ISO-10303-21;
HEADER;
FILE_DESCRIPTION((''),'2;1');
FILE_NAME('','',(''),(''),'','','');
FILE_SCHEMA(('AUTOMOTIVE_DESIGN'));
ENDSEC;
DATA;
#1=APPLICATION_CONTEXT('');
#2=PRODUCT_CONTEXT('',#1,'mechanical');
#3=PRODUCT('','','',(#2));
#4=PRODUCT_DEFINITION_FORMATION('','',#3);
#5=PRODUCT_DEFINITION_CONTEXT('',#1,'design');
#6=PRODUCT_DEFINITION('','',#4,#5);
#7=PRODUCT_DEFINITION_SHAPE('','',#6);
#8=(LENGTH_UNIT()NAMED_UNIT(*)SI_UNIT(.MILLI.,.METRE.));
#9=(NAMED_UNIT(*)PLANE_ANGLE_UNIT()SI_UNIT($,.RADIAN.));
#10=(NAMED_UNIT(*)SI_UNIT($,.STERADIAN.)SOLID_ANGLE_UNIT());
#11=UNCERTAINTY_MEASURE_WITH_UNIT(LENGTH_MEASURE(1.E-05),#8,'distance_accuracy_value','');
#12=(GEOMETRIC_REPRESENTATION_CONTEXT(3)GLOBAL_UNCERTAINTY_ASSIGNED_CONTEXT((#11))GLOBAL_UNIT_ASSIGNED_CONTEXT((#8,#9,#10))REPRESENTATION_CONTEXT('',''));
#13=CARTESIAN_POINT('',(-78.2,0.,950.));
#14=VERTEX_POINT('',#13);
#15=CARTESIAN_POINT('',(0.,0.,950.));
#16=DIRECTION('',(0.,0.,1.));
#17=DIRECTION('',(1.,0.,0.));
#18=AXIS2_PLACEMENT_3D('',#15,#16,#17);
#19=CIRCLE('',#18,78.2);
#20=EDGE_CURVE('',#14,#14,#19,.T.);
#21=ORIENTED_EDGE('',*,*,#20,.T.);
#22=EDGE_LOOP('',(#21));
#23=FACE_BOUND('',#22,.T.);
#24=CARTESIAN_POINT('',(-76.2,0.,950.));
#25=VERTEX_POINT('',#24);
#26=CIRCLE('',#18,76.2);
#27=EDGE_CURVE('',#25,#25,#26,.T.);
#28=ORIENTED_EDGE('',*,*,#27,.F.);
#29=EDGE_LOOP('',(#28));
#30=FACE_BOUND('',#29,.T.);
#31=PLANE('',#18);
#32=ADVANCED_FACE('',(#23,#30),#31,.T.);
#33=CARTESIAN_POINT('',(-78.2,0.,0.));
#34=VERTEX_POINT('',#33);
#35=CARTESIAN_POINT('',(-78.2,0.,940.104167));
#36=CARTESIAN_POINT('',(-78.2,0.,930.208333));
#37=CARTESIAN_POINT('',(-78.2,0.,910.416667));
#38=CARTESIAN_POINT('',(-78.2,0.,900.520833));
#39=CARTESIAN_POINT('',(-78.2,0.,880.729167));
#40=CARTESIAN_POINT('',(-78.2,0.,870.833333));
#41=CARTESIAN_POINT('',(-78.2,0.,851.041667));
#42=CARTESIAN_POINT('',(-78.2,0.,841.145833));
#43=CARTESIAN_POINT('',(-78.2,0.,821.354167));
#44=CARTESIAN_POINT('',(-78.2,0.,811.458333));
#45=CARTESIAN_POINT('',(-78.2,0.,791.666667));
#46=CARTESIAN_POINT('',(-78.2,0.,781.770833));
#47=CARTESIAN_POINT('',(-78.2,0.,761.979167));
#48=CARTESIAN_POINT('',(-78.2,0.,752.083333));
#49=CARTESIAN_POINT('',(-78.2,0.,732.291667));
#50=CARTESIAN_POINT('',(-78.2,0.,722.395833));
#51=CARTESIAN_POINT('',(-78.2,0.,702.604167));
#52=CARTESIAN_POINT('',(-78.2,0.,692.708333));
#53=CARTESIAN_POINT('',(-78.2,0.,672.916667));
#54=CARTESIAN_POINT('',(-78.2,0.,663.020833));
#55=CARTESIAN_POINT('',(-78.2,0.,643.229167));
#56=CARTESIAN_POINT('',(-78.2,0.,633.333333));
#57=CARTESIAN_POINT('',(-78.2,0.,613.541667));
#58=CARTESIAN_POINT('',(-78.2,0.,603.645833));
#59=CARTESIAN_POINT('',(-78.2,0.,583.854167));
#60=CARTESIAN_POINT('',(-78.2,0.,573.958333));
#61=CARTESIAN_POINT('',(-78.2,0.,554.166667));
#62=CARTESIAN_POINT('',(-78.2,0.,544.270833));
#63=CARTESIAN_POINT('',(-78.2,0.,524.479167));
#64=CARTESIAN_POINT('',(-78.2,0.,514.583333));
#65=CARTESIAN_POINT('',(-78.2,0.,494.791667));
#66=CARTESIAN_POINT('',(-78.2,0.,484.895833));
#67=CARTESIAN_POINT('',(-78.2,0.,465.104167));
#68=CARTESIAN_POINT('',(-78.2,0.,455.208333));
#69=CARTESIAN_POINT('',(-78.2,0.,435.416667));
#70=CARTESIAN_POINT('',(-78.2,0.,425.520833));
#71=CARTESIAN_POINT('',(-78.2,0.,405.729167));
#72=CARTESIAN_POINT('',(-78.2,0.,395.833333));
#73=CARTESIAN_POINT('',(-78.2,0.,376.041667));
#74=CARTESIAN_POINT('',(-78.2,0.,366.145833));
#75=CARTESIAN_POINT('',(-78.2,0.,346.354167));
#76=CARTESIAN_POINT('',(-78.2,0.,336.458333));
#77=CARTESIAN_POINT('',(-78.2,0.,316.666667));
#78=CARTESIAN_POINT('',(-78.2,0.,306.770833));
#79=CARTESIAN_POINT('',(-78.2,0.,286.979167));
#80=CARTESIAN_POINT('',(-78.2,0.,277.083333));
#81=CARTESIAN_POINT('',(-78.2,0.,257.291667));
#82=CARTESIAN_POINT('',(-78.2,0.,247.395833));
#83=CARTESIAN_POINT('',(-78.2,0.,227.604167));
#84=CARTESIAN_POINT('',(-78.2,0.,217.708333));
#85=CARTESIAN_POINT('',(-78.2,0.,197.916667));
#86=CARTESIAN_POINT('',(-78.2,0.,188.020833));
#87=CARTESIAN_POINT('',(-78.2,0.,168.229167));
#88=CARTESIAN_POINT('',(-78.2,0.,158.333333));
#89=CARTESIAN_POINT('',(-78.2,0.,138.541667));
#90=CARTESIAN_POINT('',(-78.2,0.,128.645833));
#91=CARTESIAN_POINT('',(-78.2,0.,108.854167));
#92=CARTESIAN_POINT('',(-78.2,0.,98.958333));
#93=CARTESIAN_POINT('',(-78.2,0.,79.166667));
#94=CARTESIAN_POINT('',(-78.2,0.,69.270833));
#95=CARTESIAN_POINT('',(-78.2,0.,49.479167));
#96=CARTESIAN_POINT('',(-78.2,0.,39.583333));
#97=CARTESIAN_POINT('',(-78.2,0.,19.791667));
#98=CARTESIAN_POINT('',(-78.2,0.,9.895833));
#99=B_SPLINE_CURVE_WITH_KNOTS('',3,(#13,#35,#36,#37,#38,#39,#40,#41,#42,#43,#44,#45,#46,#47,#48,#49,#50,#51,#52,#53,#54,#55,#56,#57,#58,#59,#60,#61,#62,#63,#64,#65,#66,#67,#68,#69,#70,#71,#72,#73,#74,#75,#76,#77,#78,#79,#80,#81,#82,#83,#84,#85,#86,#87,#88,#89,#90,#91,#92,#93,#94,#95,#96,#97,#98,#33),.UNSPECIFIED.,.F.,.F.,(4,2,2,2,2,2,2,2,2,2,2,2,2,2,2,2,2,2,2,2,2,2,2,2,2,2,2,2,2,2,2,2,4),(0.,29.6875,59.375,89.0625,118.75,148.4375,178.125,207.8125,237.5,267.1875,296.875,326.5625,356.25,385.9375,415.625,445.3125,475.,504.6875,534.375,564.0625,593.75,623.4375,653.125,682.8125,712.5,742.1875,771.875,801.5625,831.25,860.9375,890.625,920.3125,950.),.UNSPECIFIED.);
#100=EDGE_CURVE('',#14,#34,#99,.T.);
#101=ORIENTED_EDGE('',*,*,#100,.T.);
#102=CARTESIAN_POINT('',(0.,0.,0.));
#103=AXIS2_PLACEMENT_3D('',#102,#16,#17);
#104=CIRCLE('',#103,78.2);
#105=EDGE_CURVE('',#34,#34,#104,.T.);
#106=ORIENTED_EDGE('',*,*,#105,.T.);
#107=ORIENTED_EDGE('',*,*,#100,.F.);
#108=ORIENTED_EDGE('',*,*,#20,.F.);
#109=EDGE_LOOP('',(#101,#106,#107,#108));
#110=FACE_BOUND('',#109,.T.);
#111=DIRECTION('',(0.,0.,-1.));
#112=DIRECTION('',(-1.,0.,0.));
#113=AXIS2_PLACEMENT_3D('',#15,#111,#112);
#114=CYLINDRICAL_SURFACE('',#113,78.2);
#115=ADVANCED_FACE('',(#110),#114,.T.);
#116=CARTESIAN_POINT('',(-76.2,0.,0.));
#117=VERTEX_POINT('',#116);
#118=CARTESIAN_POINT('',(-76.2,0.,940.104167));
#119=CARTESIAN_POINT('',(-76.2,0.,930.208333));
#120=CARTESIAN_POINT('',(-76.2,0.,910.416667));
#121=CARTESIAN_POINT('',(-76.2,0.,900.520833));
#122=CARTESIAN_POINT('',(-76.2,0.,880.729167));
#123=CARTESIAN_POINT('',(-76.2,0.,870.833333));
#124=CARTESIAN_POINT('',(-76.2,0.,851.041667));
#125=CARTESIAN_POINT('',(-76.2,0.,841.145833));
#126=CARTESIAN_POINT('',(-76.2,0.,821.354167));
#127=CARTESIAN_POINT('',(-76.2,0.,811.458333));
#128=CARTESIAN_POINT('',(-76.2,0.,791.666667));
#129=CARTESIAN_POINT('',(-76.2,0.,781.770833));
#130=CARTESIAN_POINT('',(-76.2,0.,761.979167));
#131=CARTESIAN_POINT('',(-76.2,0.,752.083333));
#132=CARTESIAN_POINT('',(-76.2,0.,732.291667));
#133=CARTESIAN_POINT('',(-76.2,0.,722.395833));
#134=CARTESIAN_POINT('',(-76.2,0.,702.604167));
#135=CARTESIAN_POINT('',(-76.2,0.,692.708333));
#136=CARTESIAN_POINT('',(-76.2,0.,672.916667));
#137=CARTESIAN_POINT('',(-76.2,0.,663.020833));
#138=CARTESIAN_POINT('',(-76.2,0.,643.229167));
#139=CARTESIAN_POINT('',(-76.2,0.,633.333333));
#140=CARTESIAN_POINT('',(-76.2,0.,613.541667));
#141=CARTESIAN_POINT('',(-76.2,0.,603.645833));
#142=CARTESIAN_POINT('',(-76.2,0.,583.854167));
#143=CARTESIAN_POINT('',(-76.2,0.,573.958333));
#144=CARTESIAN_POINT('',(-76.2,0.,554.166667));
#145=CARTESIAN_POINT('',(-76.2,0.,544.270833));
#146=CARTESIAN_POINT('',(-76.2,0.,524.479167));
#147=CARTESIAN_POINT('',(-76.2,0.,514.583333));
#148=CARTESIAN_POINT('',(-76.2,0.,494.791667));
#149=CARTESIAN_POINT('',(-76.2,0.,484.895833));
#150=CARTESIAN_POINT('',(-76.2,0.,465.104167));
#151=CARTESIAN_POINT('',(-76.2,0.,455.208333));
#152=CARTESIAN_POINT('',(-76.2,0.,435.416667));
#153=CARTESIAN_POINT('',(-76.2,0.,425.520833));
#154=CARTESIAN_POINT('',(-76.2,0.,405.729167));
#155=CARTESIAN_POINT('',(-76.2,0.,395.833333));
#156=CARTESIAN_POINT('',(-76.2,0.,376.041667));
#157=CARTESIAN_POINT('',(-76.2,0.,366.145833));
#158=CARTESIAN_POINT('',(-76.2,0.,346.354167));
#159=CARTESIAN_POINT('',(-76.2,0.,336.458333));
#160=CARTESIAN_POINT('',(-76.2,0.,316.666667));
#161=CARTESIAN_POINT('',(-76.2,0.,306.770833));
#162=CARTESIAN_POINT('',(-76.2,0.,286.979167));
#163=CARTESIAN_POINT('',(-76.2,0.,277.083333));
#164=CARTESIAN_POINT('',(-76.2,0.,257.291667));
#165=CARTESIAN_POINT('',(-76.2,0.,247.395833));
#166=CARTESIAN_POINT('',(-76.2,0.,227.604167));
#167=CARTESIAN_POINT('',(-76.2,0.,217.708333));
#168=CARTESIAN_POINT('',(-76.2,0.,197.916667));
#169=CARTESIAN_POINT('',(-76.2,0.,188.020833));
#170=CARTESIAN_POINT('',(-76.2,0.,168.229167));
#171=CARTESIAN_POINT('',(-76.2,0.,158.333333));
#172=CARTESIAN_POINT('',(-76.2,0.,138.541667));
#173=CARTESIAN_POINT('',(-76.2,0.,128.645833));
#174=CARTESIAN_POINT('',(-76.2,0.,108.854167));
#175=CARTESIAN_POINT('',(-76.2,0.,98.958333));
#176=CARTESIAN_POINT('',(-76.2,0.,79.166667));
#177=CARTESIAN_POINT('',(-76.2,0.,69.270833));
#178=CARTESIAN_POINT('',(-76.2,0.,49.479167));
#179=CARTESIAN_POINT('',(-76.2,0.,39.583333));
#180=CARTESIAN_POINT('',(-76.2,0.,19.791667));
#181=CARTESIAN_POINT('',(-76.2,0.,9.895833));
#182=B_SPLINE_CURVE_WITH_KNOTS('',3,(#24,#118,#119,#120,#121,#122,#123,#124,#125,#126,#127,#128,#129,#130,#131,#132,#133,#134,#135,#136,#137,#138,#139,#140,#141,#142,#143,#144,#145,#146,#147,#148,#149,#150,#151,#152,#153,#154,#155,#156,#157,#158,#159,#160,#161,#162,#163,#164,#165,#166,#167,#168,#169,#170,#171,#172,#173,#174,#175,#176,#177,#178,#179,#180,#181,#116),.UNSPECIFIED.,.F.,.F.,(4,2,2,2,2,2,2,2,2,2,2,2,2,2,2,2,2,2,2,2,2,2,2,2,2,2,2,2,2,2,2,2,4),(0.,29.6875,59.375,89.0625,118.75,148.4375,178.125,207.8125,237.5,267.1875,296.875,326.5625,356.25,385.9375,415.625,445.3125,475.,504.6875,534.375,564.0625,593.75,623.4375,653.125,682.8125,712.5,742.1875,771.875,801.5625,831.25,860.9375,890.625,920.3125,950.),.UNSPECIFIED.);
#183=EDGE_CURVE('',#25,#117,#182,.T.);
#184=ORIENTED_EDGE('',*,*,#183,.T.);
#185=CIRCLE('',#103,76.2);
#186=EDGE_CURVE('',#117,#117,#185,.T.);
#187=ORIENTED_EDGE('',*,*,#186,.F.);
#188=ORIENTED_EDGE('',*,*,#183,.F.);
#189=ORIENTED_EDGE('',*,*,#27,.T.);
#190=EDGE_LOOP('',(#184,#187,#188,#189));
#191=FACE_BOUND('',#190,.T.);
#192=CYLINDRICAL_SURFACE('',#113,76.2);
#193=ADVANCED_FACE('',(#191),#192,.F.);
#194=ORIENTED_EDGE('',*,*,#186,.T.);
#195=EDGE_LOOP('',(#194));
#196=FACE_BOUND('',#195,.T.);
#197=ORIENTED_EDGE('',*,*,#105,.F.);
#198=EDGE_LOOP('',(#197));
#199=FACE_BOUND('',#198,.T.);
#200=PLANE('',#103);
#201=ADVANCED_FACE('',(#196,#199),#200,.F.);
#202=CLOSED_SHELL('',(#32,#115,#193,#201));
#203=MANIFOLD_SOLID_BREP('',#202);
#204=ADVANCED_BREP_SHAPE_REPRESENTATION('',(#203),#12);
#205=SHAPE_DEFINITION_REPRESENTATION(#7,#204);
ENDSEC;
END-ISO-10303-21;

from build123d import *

# Parameters (mm, degrees)
SKETCH1_R           = 78.2
SKETCH1_R_2         = 76.2
BOSS_EXTRUDE1_DEPTH = 950


with BuildPart() as part:
    # Sketch1 → Boss-Extrude1 (new body)
    with BuildSketch(Plane.XY):
        with Locations(Location((0, 0, 0), (0, 0, 180))):
            Circle(SKETCH1_R)
        with Locations(Location((0, 0, 0), (0, 0, 180))):
            Circle(SKETCH1_R_2, mode=Mode.SUBTRACT)
    extrude(amount=BOSS_EXTRUDE1_DEPTH)


solid = part.part
